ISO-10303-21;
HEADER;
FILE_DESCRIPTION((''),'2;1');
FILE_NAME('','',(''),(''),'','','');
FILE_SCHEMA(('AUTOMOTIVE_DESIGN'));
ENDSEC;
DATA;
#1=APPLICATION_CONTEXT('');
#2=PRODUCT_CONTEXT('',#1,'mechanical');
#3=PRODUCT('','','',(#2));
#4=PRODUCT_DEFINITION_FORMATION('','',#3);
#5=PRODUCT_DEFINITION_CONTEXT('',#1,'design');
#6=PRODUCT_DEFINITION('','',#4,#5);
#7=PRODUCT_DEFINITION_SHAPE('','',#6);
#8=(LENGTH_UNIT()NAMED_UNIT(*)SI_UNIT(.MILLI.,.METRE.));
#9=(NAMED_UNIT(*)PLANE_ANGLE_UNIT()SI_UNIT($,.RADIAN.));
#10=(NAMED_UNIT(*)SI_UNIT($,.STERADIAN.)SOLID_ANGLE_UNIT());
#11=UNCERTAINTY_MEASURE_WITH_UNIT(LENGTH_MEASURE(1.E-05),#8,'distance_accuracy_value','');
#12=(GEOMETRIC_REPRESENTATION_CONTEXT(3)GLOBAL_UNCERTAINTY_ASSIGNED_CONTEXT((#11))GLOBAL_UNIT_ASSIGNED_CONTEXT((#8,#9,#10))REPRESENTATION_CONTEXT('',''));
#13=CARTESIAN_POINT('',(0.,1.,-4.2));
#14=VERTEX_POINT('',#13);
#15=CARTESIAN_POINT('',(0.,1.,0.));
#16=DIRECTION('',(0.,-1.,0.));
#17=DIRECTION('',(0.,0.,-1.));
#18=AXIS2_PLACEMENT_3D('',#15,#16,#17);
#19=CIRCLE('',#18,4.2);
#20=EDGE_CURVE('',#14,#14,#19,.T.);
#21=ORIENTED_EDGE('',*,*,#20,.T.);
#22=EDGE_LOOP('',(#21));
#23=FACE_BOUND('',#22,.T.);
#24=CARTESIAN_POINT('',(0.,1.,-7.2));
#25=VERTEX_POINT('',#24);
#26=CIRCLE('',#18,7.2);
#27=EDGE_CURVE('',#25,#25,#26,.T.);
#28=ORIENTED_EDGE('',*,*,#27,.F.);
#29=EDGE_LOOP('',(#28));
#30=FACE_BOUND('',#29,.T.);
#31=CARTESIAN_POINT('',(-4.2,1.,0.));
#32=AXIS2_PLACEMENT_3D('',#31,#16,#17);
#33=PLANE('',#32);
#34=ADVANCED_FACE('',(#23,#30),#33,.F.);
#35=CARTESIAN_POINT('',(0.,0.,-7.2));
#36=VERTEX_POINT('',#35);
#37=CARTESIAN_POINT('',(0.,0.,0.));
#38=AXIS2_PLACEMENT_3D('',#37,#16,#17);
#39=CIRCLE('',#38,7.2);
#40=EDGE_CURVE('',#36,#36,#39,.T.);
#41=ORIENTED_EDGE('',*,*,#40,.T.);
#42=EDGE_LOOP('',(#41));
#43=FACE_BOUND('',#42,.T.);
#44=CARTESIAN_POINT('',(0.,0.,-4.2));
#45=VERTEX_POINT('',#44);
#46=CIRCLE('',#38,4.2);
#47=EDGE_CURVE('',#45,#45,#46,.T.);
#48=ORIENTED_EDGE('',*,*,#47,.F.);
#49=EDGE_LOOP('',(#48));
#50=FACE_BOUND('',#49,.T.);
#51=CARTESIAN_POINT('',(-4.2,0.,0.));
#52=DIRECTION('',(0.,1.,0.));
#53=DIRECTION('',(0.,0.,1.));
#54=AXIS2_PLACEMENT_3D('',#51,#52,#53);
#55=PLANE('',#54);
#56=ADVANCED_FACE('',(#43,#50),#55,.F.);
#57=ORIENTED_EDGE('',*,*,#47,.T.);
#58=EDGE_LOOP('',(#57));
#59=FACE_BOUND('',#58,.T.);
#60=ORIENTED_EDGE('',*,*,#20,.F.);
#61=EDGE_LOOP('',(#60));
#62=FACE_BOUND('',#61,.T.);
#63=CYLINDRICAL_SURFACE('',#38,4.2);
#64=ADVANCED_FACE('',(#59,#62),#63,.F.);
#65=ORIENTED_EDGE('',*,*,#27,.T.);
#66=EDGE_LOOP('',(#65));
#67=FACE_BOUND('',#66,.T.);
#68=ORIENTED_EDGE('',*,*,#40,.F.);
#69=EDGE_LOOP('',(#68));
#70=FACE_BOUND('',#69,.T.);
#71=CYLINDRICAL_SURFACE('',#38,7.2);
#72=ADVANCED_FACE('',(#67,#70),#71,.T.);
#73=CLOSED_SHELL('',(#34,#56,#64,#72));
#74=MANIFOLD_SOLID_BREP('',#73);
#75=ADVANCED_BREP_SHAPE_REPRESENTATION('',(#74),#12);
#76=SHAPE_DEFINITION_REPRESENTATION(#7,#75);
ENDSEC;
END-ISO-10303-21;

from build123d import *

# Parameters (mm, degrees)
SKETCH1_W = 3
SKETCH1_H = 1


with BuildPart() as part:
    # Sketch1 → Revolve1 (revolve)
    with BuildSketch(Plane.XY):
        with Locations((-5.7, 0.5)):
            Rectangle(SKETCH1_W, SKETCH1_H)
    revolve(axis=Axis((0, 0, 0), (0, 1, 0)))


solid = part.part
